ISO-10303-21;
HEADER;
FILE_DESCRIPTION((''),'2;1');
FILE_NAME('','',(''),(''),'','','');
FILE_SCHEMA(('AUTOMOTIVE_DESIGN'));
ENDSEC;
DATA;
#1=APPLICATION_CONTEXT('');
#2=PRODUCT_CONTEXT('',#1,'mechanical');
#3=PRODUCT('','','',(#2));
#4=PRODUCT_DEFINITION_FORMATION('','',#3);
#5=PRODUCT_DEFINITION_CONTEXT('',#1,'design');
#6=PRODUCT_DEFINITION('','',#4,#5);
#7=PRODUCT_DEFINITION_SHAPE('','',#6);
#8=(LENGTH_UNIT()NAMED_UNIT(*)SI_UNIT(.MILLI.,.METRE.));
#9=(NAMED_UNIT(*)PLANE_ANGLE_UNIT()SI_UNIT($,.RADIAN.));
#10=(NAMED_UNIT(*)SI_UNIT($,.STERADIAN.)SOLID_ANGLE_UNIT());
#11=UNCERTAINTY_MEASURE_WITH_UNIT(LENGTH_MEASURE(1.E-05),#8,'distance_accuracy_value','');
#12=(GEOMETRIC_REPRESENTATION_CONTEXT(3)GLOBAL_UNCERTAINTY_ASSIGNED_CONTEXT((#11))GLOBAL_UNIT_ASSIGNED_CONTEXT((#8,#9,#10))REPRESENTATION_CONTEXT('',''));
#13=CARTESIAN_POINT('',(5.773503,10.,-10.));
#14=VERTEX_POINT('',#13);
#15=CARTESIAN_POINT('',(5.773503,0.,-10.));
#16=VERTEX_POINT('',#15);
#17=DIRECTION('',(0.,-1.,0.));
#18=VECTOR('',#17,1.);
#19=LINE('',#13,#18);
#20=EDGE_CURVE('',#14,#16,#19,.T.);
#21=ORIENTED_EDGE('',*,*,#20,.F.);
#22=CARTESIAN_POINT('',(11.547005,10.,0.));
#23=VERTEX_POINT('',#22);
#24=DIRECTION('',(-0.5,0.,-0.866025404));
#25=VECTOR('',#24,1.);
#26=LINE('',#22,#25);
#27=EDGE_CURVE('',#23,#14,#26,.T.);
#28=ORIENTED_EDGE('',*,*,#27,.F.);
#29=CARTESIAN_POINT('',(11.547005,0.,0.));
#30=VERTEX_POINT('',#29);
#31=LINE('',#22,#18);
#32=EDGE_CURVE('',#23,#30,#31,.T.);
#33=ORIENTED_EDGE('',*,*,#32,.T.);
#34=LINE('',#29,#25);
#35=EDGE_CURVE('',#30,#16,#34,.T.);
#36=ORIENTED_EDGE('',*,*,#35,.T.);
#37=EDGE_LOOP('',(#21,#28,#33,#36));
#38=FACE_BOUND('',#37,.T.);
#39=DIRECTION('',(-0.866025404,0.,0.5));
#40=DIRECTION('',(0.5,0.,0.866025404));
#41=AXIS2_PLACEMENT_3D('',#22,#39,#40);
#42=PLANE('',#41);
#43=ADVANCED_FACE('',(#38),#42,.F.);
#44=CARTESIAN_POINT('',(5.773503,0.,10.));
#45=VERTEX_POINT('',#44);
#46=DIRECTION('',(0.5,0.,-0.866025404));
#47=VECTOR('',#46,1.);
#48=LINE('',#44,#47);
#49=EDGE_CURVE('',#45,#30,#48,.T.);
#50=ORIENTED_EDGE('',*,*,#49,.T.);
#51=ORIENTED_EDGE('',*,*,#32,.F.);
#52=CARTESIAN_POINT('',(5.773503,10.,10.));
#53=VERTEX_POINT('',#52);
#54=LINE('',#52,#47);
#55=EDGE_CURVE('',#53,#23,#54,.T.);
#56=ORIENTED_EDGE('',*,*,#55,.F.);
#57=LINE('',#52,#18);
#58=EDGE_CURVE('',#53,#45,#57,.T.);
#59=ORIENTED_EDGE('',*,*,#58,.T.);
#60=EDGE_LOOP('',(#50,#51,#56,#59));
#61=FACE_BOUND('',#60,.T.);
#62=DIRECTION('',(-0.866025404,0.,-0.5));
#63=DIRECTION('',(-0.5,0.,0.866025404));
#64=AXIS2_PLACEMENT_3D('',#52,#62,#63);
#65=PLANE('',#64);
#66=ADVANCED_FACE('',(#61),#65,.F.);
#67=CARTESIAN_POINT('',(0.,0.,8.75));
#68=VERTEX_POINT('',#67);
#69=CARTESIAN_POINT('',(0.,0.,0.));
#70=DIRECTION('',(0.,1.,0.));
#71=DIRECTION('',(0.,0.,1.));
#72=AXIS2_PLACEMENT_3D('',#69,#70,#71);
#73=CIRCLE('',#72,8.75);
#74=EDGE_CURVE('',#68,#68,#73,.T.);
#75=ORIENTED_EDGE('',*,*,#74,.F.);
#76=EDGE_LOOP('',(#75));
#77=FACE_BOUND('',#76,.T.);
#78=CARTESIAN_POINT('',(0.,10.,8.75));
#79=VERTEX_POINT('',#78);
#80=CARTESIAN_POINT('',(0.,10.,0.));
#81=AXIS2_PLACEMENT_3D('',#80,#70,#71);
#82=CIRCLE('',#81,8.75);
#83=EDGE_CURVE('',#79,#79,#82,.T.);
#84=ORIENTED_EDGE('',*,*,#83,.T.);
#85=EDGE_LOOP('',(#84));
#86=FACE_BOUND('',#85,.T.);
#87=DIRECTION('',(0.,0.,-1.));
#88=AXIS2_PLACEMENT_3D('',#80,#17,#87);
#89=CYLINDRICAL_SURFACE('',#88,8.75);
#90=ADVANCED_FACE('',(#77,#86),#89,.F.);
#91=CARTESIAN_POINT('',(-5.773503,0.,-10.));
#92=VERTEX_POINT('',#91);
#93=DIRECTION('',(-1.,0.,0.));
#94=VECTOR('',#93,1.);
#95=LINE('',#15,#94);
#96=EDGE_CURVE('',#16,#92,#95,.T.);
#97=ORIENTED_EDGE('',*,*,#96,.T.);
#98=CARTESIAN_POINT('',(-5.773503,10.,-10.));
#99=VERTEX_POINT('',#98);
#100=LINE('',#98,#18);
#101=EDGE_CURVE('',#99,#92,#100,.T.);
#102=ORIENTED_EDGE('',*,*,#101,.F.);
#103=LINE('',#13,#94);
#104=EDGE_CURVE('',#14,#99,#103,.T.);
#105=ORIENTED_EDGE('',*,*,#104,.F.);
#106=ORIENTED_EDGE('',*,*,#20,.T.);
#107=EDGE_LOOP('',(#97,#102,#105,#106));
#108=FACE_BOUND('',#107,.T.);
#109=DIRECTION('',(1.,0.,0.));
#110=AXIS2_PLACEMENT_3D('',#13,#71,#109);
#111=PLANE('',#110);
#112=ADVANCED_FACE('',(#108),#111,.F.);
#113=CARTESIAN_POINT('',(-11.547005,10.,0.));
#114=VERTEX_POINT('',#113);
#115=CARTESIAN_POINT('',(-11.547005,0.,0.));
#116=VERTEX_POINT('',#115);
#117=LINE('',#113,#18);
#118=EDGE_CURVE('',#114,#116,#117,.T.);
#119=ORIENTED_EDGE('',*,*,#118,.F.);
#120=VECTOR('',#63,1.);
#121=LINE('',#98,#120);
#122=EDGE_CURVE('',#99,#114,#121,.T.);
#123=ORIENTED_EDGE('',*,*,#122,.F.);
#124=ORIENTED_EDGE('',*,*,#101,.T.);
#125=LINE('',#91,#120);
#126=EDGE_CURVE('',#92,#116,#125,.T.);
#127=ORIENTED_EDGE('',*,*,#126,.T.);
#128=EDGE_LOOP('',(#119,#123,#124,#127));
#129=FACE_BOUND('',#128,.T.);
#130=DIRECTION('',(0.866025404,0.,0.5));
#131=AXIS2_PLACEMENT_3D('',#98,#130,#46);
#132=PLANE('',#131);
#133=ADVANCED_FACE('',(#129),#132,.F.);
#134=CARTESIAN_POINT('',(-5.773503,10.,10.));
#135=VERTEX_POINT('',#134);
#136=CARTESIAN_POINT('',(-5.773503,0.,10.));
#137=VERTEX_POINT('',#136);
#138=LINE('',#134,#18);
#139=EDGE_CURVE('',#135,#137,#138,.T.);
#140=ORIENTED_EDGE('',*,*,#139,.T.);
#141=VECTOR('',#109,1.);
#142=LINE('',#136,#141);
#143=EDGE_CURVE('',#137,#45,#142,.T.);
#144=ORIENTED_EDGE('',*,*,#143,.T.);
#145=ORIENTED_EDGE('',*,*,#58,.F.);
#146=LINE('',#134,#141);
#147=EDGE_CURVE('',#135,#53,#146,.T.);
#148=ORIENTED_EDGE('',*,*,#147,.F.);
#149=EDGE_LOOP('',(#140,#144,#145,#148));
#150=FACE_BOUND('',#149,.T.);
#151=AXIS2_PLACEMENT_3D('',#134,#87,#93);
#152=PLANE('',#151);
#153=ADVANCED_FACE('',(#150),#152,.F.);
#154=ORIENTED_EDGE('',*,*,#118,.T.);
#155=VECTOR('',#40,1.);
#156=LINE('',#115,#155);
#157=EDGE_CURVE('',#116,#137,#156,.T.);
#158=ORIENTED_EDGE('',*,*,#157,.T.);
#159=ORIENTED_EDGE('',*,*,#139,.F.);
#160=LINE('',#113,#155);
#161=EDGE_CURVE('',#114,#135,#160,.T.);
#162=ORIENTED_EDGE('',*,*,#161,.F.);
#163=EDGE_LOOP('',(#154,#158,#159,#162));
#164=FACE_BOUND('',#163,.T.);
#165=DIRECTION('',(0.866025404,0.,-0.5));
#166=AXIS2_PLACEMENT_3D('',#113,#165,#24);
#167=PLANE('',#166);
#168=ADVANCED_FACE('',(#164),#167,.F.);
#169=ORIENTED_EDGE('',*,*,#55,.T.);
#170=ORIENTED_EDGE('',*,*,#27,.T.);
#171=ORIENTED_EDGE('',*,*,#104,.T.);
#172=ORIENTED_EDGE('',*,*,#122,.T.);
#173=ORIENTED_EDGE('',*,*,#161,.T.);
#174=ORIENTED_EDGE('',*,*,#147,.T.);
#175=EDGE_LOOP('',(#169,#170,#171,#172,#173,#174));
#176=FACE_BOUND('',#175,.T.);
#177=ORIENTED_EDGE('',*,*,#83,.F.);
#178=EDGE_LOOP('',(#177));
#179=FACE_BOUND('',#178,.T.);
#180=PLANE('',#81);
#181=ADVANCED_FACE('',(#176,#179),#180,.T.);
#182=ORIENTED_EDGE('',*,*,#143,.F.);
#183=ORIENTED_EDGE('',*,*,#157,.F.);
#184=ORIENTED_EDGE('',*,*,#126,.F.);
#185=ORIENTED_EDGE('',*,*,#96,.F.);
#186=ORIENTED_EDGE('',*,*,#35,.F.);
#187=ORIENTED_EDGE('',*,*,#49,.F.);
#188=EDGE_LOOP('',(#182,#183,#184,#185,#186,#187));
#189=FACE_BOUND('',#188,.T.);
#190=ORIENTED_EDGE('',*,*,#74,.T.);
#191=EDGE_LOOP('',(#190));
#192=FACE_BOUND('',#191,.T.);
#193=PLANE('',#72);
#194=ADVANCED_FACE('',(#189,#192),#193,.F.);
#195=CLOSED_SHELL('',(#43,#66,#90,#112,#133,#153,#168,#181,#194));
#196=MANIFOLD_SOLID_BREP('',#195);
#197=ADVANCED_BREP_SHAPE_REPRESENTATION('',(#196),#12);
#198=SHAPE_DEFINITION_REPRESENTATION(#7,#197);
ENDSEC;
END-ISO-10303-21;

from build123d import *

# Parameters (mm, degrees)
SKETCH1_R           = 8.75
BOSS_EXTRUDE1_DEPTH = 10


with BuildPart() as part:
    # Sketch1 → Boss-Extrude1 (new body)
    with BuildSketch(Plane(origin=(0, 0, 0), x_dir=(1, 0, 0), z_dir=(0, 1, 0))):
        Polygon((11.547005384, 0), (5.773502692, 10), (-5.773502692, 10), (-11.547005384, 0), (-5.773502692, -10), (5.773502692, -10), align=None)
        with Locations(Location((0, 0, 0), (0, 0, 270))):
            Circle(SKETCH1_R, mode=Mode.SUBTRACT)
    extrude(amount=BOSS_EXTRUDE1_DEPTH)


solid = part.part
